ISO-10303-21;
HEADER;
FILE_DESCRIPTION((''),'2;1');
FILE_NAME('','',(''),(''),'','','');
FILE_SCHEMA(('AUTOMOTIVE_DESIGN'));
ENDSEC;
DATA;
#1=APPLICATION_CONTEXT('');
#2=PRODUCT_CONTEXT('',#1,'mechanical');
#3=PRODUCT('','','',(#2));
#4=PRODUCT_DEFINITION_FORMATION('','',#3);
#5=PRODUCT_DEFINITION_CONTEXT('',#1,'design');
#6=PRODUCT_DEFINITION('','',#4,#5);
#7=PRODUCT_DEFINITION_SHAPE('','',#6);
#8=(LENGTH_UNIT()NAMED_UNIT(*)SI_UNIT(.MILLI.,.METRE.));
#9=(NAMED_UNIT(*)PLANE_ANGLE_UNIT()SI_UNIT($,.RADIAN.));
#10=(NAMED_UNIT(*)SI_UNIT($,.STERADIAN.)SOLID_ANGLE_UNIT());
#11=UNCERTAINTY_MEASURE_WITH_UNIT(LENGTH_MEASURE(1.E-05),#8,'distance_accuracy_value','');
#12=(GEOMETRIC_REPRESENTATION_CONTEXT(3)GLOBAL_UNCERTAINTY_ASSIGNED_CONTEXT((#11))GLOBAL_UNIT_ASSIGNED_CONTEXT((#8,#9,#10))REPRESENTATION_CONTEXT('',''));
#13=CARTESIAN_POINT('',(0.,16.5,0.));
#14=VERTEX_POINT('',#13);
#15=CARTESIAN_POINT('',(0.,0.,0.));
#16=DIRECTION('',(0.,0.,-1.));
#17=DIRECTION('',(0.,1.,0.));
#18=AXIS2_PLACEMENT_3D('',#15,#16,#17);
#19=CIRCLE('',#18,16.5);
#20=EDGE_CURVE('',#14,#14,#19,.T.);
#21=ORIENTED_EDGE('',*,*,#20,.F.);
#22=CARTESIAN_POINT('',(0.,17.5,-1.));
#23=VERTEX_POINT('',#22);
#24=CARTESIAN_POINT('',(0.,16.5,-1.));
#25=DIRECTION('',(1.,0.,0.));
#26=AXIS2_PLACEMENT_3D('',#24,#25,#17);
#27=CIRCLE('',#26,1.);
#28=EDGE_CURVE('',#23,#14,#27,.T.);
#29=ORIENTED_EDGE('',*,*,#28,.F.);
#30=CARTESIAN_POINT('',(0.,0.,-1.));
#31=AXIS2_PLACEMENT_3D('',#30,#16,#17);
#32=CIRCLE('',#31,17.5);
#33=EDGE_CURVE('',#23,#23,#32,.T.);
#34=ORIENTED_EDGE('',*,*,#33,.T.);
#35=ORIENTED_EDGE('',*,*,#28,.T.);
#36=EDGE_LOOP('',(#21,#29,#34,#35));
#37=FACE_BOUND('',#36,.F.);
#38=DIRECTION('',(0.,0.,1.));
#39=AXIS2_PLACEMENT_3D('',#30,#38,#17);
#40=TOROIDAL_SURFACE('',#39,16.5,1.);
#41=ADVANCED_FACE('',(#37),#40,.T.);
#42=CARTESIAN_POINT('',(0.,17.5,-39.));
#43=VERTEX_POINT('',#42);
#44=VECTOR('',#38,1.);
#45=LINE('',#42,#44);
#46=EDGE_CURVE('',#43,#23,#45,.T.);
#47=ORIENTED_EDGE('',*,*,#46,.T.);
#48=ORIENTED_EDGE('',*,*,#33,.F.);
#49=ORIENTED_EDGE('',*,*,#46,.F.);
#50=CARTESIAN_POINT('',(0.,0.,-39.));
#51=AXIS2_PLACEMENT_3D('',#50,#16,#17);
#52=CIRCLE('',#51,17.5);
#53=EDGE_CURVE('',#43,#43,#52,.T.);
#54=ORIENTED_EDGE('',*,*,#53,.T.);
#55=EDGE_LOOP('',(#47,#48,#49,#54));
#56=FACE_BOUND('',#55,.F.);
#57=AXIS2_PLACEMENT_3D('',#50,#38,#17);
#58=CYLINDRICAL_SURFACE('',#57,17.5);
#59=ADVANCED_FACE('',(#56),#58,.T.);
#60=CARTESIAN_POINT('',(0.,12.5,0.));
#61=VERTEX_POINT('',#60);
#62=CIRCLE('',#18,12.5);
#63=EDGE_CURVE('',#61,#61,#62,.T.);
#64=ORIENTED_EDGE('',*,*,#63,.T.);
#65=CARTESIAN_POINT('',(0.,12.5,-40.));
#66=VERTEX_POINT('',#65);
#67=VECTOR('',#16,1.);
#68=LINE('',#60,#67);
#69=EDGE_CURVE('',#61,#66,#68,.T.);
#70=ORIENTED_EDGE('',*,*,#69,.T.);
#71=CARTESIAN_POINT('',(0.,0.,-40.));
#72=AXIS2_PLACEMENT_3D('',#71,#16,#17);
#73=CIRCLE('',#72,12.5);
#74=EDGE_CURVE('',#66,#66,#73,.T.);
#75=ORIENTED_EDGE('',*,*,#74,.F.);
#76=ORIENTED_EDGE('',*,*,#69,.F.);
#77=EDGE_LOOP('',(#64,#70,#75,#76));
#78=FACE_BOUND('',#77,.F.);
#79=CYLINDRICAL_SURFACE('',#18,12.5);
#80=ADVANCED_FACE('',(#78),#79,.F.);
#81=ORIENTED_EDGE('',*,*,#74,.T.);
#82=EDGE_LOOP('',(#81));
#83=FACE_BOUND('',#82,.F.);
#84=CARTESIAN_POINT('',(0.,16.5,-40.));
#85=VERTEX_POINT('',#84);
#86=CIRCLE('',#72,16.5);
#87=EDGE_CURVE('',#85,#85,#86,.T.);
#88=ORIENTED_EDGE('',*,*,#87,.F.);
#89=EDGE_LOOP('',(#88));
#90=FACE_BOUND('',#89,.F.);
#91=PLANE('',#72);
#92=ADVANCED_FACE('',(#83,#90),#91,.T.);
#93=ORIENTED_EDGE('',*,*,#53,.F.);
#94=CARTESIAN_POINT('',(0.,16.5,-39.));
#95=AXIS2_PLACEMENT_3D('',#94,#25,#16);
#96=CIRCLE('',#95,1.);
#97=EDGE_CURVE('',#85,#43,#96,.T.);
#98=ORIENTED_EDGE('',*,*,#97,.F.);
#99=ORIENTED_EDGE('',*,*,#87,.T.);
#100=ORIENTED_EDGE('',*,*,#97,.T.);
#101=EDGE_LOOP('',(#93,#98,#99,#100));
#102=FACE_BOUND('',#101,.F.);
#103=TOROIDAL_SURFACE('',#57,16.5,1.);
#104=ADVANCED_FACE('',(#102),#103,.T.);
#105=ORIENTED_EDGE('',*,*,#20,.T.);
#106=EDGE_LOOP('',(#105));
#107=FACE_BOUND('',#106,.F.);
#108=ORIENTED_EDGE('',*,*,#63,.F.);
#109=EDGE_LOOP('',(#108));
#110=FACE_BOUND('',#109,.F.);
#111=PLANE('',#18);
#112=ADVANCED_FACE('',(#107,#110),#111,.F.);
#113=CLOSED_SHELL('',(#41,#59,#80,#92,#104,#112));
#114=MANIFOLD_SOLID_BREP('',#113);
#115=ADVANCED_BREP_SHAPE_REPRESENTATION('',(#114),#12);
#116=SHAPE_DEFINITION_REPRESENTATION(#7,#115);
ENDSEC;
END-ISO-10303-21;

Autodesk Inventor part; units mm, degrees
sketch "Sketch_1" plane through (0, 0, 0) normal (1, 0, 0) x (0, 1, 0)
  line L0 (0, -40) -> (0, 0)
  line L1 (12.5, 0) -> (12.5, -40)
  line L2 (12.5, -40) -> (16.5, -40)
  arc A0 (16.5, -40) -> (17.5, -39) centre (16.5, -39) ccw
  line L3 (17.5, -39) -> (17.5, -1)
  arc A1 (17.5, -1) -> (16.5, 0) centre (16.5, -1) ccw
  line L4 (16.5, 0) -> (12.5, 0)
revolve "Revolution1" add sketch "Sketch_1" angle 360 about axis through (0, 0, -40) along (0, 0, -1)
ref_plane "ANBAU_XY" through (0, 0, 0) normal (0, 0, -1) x (1, 0, 0)
ref_plane "ANBAU_YZ" through (0, 0, 0) normal (1, 0, 0) x (0, -1, 0)
ref_plane "ANBAU_ZX" through (0, 0, 0) normal (0, -1, 0) x (0, 0, -1)
properties part number "242770 EAGF 25x35x40---(B)"
